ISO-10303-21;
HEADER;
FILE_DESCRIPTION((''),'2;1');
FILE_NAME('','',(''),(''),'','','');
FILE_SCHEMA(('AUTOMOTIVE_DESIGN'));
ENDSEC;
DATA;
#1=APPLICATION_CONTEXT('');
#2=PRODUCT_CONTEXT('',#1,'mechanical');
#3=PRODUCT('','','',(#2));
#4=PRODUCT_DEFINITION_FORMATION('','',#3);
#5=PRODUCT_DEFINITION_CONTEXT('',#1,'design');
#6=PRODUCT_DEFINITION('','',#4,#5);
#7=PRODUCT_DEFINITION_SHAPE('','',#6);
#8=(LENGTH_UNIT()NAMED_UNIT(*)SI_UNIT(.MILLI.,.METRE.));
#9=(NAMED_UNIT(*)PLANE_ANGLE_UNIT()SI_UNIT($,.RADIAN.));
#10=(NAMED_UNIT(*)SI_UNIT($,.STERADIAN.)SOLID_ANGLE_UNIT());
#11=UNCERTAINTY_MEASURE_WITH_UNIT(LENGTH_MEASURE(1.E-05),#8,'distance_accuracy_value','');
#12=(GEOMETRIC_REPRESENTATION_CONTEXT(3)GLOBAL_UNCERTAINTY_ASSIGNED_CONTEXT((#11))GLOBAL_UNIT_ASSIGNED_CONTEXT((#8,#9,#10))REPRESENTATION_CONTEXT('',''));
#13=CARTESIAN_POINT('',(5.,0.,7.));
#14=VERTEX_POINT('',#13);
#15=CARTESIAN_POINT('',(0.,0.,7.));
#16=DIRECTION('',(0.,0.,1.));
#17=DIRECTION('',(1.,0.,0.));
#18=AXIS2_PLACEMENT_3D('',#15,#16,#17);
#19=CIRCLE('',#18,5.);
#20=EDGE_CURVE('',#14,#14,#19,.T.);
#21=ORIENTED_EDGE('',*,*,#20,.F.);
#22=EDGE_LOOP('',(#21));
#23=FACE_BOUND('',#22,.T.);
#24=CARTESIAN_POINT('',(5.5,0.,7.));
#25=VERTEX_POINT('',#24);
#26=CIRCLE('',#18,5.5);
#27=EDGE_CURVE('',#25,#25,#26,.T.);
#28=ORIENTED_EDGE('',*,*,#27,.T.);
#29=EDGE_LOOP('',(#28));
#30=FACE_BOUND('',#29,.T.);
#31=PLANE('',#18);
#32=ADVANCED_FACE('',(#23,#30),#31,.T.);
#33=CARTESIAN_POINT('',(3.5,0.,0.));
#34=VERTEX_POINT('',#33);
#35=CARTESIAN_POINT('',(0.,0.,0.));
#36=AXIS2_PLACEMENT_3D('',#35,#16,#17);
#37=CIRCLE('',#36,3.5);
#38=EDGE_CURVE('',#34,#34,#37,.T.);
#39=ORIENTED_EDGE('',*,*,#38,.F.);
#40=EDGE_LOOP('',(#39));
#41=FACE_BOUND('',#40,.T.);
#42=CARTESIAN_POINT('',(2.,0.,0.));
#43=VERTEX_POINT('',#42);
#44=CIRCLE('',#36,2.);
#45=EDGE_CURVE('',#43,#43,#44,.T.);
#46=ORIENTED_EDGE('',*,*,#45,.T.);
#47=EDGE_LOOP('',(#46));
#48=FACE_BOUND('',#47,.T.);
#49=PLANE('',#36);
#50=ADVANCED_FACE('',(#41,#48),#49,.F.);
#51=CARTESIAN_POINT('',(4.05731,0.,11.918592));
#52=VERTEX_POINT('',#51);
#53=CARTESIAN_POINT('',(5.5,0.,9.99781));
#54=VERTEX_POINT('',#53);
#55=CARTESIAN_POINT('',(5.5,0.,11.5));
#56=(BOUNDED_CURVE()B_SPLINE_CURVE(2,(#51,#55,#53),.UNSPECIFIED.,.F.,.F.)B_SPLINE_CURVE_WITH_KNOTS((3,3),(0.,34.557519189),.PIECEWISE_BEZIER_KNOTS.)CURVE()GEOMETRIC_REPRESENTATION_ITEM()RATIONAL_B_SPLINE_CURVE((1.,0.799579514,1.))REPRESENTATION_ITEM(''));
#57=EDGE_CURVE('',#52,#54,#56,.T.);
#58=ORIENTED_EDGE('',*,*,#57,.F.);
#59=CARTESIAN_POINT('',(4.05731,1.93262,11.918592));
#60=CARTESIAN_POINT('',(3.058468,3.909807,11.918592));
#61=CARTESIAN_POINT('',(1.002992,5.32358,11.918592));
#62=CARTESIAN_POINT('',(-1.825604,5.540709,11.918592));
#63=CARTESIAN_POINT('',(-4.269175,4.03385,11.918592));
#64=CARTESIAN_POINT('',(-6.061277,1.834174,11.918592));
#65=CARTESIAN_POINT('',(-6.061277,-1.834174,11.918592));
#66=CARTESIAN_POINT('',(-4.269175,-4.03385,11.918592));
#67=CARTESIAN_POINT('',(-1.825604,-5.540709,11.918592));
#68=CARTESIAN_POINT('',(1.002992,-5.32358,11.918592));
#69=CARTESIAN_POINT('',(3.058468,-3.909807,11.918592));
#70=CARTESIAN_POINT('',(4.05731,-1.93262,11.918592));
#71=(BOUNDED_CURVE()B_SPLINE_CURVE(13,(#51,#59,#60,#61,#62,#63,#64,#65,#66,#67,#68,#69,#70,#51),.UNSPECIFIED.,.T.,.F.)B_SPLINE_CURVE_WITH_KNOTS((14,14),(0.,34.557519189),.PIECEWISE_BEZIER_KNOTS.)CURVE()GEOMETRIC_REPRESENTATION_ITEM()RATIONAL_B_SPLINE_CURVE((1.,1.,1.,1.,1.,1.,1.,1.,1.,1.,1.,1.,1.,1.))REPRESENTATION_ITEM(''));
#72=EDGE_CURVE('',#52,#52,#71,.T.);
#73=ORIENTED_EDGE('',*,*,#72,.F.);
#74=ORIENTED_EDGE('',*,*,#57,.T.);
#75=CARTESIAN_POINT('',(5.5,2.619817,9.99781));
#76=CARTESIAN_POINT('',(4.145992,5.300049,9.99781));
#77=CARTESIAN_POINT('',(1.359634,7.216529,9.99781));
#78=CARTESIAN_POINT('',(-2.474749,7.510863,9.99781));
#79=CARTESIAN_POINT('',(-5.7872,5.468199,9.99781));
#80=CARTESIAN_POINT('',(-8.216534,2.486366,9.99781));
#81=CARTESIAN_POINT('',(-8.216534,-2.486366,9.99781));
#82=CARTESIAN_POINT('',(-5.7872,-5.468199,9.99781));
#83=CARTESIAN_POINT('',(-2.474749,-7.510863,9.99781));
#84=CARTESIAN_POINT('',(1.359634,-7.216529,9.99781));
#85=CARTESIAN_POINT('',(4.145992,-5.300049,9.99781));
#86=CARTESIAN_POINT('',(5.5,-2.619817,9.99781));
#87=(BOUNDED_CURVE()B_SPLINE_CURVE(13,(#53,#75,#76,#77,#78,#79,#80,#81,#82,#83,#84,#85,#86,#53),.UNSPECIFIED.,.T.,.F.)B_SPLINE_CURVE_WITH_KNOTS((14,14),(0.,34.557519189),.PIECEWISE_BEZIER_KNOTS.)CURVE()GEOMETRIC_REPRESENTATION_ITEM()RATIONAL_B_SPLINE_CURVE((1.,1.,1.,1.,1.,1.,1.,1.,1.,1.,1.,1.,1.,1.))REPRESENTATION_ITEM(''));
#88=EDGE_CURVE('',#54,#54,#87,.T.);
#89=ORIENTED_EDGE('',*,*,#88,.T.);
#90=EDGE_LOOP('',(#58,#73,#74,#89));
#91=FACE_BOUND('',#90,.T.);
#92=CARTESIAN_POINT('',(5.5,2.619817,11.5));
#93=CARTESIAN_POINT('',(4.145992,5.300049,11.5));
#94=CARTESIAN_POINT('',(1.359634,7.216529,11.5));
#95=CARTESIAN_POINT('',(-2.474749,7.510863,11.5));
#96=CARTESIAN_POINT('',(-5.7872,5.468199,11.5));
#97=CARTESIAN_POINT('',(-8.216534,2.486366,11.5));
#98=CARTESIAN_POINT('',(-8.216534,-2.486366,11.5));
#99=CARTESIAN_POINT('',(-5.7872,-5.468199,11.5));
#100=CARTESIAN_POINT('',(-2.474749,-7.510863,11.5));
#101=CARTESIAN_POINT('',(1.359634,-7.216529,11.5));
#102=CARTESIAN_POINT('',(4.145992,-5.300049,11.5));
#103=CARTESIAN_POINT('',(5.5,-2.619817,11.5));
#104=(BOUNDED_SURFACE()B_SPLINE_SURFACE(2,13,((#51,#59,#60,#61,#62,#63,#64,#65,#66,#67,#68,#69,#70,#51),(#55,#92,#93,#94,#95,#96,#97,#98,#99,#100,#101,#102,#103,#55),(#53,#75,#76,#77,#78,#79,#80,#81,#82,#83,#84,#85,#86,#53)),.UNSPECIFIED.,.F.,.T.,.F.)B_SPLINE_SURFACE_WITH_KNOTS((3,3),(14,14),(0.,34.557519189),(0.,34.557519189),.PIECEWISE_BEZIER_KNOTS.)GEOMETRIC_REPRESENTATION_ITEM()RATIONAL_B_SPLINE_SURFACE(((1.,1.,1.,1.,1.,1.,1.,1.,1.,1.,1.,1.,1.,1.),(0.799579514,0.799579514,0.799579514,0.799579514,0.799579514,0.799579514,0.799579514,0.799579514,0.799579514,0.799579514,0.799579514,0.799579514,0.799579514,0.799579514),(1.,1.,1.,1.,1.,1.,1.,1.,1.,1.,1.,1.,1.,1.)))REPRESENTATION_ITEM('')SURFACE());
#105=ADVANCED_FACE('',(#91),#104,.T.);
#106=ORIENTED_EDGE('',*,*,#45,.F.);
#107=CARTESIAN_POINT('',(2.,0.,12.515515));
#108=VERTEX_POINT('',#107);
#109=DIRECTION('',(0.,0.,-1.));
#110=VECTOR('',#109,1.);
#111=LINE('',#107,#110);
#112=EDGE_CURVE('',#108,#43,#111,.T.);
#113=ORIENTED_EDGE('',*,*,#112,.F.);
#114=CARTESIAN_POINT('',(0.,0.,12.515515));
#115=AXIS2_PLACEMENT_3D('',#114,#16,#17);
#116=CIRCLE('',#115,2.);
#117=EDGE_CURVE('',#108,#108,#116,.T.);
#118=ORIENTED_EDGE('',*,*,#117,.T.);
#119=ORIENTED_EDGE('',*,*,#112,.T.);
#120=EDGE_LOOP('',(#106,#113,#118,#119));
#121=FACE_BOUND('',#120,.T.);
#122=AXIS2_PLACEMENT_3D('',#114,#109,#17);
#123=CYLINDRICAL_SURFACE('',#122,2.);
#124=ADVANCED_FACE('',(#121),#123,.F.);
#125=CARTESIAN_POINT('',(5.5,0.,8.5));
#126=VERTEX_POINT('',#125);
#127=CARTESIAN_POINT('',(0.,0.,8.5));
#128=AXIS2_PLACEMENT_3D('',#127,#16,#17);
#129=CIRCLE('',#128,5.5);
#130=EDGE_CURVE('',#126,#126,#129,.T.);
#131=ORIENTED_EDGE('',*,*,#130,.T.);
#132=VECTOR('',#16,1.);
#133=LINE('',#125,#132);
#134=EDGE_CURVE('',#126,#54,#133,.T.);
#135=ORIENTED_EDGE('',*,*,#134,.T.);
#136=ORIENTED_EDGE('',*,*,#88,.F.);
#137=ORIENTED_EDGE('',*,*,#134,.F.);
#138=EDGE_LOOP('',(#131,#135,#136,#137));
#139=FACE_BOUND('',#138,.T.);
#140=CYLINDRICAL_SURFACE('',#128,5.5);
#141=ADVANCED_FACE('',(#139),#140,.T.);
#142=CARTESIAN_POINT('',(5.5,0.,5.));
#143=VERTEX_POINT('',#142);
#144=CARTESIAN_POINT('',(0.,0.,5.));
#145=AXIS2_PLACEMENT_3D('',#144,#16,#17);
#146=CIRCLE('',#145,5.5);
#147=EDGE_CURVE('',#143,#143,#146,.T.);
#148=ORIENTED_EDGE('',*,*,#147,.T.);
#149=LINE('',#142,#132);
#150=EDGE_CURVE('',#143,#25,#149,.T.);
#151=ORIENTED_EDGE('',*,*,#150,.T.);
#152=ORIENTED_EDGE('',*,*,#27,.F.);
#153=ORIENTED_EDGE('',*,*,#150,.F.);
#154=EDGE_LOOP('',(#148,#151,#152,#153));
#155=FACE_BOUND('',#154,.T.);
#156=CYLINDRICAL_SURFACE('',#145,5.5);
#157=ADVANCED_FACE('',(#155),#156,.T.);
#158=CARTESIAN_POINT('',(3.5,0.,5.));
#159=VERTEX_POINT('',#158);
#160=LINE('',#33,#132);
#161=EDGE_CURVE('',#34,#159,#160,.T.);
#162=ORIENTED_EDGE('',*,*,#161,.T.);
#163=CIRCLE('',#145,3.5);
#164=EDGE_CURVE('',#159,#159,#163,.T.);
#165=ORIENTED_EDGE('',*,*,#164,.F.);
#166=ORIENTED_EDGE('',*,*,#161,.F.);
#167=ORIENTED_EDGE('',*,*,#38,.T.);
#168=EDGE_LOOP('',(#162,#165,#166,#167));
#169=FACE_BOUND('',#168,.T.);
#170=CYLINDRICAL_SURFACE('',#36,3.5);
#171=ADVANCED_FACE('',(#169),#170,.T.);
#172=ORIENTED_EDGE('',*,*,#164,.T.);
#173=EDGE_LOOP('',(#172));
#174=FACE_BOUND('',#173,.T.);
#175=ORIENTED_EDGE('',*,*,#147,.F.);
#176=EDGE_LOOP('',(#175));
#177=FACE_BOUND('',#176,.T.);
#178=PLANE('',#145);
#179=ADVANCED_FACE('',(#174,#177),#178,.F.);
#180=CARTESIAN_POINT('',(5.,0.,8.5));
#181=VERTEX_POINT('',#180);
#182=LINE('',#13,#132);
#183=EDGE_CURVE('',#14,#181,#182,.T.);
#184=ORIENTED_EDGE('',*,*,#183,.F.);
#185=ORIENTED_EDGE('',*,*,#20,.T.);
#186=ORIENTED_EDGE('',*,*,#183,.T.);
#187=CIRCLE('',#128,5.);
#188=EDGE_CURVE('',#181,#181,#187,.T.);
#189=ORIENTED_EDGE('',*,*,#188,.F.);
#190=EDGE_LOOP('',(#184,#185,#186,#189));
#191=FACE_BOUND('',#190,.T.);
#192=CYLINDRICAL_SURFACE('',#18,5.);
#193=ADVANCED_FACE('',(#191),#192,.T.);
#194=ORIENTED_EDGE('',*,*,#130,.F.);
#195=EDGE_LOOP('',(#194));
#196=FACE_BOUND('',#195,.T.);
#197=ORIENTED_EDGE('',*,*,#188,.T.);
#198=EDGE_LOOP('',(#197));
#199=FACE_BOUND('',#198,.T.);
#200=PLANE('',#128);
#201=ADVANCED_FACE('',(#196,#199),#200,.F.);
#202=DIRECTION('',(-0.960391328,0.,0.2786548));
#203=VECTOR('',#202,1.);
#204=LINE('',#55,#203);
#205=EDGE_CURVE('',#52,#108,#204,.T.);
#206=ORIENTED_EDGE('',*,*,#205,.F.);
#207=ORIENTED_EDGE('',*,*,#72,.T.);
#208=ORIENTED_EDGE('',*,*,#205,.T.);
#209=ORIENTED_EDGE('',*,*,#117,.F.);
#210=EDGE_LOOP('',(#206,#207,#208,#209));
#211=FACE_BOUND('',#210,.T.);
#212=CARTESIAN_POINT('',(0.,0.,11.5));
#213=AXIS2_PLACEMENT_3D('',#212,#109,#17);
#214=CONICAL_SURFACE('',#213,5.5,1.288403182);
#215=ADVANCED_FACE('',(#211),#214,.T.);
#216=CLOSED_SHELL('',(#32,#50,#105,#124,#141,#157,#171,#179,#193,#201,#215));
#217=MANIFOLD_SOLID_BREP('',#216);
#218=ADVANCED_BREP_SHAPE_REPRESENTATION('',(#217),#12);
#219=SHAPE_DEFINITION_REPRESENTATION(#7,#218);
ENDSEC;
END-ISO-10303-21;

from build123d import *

# Parameters (mm, degrees)
F2_R = 2


with BuildPart() as f1:
    # F0 (on Front) → F1 (revolve)
    with BuildSketch(Plane.XZ):
        Polygon((5.5, 11.5), (2, 12.515515), (2, 0), (3.5, 0), (3.5, 5), (5.5, 5), (5.5, 7), (5, 7), (5, 8.5), (5.5, 8.5), align=None)
    revolve(axis=Axis((0, 0, 5.238776), (0, 0, 1)))

    # F2
    f2_edges = [f1.edges().sort_by_distance(p)[0] for p in [
        (-5.5, 0, 11.5),
    ]]
    fillet(f2_edges, radius=F2_R)


solid = f1.part
